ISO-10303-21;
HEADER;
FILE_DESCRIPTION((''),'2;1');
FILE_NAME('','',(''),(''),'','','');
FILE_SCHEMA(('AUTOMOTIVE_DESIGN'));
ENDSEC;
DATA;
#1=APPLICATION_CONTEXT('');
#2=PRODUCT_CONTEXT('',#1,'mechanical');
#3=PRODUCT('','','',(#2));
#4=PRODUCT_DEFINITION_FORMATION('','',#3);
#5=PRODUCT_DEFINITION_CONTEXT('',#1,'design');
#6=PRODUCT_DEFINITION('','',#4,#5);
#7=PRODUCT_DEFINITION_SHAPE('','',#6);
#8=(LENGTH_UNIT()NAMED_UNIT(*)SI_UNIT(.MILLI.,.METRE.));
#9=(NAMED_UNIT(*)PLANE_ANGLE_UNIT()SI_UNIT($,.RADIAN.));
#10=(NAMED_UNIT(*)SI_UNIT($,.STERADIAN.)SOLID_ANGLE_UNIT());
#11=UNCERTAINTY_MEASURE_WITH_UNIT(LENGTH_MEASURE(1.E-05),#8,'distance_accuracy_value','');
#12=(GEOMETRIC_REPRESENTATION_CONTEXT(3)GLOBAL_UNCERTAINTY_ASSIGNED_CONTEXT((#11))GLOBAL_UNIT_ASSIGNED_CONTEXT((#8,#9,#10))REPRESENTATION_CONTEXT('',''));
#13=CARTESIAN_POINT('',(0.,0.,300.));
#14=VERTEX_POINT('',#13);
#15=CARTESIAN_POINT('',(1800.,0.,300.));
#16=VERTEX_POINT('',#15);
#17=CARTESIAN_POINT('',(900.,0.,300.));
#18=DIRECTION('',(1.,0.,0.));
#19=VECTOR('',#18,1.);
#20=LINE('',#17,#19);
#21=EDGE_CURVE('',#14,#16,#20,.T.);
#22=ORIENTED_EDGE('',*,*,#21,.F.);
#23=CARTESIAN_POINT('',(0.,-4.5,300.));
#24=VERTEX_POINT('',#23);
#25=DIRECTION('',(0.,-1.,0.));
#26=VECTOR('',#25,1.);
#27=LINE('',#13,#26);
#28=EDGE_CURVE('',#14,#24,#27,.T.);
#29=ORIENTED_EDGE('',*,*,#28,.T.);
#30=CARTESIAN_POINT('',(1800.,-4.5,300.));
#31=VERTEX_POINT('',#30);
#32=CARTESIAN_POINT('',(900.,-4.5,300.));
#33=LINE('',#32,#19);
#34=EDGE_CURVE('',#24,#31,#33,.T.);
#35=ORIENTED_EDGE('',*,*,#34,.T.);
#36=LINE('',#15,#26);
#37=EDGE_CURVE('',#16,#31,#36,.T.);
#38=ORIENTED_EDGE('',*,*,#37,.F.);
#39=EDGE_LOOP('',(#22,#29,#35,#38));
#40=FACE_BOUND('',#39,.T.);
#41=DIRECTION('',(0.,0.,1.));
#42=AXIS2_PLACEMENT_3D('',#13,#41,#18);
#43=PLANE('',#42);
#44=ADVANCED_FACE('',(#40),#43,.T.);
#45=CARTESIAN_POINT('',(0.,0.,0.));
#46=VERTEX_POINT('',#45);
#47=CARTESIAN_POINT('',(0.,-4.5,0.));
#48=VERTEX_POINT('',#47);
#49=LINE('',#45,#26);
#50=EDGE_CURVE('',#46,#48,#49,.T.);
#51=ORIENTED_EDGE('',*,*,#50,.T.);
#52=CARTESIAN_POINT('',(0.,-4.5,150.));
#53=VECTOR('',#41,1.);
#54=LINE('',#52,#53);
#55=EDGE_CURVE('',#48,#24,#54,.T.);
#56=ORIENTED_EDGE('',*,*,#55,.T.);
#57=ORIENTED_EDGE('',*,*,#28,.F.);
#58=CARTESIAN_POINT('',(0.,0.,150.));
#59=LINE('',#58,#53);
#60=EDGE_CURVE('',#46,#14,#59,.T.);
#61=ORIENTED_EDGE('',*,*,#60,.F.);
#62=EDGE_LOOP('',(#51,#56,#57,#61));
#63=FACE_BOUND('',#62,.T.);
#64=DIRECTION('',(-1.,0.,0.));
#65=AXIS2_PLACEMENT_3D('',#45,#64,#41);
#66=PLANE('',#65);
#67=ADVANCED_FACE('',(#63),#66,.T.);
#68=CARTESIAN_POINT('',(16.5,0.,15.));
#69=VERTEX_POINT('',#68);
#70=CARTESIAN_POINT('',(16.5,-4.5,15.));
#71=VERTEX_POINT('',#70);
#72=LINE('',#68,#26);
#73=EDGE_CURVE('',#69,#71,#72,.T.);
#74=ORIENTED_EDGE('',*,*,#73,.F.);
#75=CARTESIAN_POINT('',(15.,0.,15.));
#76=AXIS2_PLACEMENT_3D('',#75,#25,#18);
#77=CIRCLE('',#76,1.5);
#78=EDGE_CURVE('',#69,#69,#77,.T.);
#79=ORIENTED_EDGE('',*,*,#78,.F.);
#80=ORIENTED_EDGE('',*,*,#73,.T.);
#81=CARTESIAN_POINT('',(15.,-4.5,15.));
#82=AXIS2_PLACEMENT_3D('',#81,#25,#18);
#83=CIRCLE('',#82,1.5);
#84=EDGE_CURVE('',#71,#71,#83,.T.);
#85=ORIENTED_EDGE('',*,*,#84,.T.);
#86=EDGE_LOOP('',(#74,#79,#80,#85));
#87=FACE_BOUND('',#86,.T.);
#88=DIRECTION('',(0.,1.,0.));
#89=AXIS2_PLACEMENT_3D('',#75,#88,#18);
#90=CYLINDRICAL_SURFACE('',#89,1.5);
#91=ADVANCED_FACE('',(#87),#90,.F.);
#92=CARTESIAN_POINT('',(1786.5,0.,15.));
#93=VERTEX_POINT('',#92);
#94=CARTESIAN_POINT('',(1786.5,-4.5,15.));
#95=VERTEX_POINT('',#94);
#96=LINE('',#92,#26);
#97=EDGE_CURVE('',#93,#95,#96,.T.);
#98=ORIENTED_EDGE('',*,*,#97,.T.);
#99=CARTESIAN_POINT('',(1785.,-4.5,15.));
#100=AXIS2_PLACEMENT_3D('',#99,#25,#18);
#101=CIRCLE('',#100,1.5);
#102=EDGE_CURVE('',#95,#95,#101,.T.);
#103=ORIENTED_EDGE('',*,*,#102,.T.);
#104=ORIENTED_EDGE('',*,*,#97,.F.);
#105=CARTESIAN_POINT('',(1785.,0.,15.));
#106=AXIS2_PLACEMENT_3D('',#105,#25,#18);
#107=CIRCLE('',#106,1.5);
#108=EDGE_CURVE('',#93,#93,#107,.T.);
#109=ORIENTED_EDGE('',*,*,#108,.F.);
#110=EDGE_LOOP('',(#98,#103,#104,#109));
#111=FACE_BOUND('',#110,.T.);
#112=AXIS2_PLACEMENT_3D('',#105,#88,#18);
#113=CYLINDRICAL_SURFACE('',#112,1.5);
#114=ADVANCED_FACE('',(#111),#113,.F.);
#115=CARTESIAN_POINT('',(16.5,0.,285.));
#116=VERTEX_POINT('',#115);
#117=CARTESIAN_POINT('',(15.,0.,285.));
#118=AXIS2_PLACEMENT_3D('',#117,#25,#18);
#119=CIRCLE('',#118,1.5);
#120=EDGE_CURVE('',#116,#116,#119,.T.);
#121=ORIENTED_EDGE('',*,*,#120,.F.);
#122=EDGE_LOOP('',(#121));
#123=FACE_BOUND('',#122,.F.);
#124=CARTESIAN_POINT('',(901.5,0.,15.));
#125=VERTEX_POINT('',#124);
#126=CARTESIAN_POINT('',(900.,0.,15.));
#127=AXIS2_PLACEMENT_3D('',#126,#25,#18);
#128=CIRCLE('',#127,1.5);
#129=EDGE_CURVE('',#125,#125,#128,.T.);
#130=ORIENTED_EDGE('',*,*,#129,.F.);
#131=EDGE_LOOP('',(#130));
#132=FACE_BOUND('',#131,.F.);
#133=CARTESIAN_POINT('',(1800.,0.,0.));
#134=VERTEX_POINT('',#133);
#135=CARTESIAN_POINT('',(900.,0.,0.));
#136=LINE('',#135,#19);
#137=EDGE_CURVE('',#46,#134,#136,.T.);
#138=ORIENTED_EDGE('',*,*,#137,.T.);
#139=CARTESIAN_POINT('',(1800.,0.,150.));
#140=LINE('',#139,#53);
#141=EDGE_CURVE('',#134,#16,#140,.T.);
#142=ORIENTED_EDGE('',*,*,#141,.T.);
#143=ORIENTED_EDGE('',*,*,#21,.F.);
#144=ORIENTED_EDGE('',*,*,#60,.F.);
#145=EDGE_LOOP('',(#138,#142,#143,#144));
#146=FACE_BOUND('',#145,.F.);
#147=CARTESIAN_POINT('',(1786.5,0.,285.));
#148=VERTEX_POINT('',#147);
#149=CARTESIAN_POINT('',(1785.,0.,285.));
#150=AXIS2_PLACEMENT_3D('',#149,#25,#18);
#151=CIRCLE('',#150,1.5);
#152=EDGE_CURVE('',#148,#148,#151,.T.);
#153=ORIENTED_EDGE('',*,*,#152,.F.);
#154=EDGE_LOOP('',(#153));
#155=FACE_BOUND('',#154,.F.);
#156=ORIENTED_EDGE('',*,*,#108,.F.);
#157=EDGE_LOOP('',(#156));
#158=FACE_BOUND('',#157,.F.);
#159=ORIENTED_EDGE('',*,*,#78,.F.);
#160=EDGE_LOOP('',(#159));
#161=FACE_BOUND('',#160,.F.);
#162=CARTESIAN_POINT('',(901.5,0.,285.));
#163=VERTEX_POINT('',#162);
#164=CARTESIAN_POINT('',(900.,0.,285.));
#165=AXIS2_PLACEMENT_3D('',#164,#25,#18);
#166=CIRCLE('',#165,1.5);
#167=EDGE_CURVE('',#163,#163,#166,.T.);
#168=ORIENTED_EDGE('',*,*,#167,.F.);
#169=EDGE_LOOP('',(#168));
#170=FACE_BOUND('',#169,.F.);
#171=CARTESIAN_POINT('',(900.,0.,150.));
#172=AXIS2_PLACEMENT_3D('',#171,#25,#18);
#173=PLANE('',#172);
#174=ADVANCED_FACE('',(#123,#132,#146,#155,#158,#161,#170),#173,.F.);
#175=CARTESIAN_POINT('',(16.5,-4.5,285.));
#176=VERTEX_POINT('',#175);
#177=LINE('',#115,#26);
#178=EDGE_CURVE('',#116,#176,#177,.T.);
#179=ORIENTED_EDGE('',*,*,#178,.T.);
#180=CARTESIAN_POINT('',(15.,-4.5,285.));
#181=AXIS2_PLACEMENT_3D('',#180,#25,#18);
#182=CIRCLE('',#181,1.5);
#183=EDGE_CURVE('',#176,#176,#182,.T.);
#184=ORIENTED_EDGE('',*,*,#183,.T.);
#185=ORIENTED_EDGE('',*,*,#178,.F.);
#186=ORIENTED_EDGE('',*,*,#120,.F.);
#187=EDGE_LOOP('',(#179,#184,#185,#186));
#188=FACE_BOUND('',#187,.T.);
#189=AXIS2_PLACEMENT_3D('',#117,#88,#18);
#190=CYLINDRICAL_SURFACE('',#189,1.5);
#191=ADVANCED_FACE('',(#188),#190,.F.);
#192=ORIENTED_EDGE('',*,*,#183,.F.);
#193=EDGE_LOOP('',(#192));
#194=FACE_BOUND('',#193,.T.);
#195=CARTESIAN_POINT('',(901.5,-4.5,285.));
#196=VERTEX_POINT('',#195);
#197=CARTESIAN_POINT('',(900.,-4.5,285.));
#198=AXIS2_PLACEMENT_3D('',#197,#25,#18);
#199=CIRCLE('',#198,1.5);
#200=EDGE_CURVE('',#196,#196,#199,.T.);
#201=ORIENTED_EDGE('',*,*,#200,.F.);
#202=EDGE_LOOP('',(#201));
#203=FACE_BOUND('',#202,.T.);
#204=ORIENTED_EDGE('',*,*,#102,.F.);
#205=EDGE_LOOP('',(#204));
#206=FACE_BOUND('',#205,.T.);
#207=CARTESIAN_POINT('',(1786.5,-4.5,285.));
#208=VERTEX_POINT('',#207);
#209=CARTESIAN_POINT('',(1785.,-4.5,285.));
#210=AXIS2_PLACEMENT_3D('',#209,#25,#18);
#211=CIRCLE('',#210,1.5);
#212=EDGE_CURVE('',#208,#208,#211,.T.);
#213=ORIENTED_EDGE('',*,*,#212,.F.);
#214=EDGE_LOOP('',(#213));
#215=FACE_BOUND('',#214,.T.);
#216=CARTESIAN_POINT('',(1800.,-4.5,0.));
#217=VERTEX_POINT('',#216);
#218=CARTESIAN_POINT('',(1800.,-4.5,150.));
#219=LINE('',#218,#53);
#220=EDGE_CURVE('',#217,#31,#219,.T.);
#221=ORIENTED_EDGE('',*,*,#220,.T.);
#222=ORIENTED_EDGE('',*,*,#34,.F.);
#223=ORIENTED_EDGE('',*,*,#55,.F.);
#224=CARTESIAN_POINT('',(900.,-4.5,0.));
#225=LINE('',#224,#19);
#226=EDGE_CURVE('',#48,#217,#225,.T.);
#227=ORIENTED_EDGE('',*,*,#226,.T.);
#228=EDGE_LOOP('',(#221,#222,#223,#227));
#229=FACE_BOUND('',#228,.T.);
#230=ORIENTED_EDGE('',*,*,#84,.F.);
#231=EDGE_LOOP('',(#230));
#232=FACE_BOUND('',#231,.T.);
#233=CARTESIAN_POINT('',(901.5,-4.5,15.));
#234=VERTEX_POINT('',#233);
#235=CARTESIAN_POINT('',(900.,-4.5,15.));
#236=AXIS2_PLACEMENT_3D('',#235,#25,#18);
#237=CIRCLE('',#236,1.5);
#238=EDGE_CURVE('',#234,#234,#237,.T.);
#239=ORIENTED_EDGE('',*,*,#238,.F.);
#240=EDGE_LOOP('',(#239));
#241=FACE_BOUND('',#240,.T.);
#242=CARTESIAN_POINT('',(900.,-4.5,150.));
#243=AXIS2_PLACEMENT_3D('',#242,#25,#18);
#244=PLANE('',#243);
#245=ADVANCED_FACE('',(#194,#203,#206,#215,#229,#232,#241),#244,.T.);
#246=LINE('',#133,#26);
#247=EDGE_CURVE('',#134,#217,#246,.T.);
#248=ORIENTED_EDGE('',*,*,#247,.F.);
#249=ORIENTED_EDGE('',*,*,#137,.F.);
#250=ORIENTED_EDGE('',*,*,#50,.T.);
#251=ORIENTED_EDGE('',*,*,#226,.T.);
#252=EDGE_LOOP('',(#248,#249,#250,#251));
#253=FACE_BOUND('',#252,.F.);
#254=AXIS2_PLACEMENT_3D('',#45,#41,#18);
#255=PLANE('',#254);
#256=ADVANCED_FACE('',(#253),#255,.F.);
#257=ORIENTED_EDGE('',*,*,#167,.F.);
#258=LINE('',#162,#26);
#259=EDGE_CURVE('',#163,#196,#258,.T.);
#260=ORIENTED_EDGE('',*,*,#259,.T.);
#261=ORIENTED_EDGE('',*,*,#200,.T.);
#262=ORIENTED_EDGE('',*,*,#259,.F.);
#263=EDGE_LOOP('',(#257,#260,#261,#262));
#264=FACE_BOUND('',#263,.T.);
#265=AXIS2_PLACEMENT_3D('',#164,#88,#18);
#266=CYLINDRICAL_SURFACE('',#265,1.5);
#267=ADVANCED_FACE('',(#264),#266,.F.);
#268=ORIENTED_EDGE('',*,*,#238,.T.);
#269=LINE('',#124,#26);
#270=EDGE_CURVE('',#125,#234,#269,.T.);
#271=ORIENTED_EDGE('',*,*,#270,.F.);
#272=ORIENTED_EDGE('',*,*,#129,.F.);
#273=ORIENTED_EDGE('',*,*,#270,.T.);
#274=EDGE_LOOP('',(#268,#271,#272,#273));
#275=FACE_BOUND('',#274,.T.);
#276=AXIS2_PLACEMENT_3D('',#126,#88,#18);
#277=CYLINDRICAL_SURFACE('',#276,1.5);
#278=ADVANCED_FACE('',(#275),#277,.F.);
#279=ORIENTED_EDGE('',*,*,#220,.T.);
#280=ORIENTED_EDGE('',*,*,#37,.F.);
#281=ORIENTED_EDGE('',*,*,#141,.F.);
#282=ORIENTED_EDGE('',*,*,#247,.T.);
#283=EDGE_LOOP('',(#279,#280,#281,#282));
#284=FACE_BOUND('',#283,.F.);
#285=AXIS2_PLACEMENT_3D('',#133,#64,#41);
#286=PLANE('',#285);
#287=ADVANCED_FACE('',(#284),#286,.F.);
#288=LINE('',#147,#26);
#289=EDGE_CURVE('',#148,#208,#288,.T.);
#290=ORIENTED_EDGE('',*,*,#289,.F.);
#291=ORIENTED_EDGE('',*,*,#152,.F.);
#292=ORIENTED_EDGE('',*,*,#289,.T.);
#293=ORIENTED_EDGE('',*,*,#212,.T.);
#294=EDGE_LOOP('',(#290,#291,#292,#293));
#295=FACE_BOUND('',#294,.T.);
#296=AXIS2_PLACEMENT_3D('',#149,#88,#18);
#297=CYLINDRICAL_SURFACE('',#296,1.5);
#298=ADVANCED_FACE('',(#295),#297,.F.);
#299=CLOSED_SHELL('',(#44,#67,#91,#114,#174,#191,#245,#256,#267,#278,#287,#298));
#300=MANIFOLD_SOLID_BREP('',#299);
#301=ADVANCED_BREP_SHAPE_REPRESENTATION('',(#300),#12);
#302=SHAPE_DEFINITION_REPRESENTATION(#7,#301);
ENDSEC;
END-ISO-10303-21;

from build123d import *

# Parameters (mm, degrees)
F0_W     = 1800
F0_H     = 300
F0_R     = 1.5
F1_DEPTH = 4.5


with BuildPart() as f1:
    # F0 (on Front) → F1 (new body)
    with BuildSketch(Plane.XZ):
        with Locations((900, 150)):
            Rectangle(F0_W, F0_H)
        with Locations((15, 15)):
            Circle(F0_R, mode=Mode.SUBTRACT)
        with Locations((900, 15)):
            Circle(F0_R, mode=Mode.SUBTRACT)
        with Locations((1785, 15)):
            Circle(F0_R, mode=Mode.SUBTRACT)
        with Locations((15, 285)):
            Circle(F0_R, mode=Mode.SUBTRACT)
        with Locations((900, 285)):
            Circle(F0_R, mode=Mode.SUBTRACT)
        with Locations((1785, 285)):
            Circle(F0_R, mode=Mode.SUBTRACT)
    extrude(amount=F1_DEPTH)


solid = f1.part
